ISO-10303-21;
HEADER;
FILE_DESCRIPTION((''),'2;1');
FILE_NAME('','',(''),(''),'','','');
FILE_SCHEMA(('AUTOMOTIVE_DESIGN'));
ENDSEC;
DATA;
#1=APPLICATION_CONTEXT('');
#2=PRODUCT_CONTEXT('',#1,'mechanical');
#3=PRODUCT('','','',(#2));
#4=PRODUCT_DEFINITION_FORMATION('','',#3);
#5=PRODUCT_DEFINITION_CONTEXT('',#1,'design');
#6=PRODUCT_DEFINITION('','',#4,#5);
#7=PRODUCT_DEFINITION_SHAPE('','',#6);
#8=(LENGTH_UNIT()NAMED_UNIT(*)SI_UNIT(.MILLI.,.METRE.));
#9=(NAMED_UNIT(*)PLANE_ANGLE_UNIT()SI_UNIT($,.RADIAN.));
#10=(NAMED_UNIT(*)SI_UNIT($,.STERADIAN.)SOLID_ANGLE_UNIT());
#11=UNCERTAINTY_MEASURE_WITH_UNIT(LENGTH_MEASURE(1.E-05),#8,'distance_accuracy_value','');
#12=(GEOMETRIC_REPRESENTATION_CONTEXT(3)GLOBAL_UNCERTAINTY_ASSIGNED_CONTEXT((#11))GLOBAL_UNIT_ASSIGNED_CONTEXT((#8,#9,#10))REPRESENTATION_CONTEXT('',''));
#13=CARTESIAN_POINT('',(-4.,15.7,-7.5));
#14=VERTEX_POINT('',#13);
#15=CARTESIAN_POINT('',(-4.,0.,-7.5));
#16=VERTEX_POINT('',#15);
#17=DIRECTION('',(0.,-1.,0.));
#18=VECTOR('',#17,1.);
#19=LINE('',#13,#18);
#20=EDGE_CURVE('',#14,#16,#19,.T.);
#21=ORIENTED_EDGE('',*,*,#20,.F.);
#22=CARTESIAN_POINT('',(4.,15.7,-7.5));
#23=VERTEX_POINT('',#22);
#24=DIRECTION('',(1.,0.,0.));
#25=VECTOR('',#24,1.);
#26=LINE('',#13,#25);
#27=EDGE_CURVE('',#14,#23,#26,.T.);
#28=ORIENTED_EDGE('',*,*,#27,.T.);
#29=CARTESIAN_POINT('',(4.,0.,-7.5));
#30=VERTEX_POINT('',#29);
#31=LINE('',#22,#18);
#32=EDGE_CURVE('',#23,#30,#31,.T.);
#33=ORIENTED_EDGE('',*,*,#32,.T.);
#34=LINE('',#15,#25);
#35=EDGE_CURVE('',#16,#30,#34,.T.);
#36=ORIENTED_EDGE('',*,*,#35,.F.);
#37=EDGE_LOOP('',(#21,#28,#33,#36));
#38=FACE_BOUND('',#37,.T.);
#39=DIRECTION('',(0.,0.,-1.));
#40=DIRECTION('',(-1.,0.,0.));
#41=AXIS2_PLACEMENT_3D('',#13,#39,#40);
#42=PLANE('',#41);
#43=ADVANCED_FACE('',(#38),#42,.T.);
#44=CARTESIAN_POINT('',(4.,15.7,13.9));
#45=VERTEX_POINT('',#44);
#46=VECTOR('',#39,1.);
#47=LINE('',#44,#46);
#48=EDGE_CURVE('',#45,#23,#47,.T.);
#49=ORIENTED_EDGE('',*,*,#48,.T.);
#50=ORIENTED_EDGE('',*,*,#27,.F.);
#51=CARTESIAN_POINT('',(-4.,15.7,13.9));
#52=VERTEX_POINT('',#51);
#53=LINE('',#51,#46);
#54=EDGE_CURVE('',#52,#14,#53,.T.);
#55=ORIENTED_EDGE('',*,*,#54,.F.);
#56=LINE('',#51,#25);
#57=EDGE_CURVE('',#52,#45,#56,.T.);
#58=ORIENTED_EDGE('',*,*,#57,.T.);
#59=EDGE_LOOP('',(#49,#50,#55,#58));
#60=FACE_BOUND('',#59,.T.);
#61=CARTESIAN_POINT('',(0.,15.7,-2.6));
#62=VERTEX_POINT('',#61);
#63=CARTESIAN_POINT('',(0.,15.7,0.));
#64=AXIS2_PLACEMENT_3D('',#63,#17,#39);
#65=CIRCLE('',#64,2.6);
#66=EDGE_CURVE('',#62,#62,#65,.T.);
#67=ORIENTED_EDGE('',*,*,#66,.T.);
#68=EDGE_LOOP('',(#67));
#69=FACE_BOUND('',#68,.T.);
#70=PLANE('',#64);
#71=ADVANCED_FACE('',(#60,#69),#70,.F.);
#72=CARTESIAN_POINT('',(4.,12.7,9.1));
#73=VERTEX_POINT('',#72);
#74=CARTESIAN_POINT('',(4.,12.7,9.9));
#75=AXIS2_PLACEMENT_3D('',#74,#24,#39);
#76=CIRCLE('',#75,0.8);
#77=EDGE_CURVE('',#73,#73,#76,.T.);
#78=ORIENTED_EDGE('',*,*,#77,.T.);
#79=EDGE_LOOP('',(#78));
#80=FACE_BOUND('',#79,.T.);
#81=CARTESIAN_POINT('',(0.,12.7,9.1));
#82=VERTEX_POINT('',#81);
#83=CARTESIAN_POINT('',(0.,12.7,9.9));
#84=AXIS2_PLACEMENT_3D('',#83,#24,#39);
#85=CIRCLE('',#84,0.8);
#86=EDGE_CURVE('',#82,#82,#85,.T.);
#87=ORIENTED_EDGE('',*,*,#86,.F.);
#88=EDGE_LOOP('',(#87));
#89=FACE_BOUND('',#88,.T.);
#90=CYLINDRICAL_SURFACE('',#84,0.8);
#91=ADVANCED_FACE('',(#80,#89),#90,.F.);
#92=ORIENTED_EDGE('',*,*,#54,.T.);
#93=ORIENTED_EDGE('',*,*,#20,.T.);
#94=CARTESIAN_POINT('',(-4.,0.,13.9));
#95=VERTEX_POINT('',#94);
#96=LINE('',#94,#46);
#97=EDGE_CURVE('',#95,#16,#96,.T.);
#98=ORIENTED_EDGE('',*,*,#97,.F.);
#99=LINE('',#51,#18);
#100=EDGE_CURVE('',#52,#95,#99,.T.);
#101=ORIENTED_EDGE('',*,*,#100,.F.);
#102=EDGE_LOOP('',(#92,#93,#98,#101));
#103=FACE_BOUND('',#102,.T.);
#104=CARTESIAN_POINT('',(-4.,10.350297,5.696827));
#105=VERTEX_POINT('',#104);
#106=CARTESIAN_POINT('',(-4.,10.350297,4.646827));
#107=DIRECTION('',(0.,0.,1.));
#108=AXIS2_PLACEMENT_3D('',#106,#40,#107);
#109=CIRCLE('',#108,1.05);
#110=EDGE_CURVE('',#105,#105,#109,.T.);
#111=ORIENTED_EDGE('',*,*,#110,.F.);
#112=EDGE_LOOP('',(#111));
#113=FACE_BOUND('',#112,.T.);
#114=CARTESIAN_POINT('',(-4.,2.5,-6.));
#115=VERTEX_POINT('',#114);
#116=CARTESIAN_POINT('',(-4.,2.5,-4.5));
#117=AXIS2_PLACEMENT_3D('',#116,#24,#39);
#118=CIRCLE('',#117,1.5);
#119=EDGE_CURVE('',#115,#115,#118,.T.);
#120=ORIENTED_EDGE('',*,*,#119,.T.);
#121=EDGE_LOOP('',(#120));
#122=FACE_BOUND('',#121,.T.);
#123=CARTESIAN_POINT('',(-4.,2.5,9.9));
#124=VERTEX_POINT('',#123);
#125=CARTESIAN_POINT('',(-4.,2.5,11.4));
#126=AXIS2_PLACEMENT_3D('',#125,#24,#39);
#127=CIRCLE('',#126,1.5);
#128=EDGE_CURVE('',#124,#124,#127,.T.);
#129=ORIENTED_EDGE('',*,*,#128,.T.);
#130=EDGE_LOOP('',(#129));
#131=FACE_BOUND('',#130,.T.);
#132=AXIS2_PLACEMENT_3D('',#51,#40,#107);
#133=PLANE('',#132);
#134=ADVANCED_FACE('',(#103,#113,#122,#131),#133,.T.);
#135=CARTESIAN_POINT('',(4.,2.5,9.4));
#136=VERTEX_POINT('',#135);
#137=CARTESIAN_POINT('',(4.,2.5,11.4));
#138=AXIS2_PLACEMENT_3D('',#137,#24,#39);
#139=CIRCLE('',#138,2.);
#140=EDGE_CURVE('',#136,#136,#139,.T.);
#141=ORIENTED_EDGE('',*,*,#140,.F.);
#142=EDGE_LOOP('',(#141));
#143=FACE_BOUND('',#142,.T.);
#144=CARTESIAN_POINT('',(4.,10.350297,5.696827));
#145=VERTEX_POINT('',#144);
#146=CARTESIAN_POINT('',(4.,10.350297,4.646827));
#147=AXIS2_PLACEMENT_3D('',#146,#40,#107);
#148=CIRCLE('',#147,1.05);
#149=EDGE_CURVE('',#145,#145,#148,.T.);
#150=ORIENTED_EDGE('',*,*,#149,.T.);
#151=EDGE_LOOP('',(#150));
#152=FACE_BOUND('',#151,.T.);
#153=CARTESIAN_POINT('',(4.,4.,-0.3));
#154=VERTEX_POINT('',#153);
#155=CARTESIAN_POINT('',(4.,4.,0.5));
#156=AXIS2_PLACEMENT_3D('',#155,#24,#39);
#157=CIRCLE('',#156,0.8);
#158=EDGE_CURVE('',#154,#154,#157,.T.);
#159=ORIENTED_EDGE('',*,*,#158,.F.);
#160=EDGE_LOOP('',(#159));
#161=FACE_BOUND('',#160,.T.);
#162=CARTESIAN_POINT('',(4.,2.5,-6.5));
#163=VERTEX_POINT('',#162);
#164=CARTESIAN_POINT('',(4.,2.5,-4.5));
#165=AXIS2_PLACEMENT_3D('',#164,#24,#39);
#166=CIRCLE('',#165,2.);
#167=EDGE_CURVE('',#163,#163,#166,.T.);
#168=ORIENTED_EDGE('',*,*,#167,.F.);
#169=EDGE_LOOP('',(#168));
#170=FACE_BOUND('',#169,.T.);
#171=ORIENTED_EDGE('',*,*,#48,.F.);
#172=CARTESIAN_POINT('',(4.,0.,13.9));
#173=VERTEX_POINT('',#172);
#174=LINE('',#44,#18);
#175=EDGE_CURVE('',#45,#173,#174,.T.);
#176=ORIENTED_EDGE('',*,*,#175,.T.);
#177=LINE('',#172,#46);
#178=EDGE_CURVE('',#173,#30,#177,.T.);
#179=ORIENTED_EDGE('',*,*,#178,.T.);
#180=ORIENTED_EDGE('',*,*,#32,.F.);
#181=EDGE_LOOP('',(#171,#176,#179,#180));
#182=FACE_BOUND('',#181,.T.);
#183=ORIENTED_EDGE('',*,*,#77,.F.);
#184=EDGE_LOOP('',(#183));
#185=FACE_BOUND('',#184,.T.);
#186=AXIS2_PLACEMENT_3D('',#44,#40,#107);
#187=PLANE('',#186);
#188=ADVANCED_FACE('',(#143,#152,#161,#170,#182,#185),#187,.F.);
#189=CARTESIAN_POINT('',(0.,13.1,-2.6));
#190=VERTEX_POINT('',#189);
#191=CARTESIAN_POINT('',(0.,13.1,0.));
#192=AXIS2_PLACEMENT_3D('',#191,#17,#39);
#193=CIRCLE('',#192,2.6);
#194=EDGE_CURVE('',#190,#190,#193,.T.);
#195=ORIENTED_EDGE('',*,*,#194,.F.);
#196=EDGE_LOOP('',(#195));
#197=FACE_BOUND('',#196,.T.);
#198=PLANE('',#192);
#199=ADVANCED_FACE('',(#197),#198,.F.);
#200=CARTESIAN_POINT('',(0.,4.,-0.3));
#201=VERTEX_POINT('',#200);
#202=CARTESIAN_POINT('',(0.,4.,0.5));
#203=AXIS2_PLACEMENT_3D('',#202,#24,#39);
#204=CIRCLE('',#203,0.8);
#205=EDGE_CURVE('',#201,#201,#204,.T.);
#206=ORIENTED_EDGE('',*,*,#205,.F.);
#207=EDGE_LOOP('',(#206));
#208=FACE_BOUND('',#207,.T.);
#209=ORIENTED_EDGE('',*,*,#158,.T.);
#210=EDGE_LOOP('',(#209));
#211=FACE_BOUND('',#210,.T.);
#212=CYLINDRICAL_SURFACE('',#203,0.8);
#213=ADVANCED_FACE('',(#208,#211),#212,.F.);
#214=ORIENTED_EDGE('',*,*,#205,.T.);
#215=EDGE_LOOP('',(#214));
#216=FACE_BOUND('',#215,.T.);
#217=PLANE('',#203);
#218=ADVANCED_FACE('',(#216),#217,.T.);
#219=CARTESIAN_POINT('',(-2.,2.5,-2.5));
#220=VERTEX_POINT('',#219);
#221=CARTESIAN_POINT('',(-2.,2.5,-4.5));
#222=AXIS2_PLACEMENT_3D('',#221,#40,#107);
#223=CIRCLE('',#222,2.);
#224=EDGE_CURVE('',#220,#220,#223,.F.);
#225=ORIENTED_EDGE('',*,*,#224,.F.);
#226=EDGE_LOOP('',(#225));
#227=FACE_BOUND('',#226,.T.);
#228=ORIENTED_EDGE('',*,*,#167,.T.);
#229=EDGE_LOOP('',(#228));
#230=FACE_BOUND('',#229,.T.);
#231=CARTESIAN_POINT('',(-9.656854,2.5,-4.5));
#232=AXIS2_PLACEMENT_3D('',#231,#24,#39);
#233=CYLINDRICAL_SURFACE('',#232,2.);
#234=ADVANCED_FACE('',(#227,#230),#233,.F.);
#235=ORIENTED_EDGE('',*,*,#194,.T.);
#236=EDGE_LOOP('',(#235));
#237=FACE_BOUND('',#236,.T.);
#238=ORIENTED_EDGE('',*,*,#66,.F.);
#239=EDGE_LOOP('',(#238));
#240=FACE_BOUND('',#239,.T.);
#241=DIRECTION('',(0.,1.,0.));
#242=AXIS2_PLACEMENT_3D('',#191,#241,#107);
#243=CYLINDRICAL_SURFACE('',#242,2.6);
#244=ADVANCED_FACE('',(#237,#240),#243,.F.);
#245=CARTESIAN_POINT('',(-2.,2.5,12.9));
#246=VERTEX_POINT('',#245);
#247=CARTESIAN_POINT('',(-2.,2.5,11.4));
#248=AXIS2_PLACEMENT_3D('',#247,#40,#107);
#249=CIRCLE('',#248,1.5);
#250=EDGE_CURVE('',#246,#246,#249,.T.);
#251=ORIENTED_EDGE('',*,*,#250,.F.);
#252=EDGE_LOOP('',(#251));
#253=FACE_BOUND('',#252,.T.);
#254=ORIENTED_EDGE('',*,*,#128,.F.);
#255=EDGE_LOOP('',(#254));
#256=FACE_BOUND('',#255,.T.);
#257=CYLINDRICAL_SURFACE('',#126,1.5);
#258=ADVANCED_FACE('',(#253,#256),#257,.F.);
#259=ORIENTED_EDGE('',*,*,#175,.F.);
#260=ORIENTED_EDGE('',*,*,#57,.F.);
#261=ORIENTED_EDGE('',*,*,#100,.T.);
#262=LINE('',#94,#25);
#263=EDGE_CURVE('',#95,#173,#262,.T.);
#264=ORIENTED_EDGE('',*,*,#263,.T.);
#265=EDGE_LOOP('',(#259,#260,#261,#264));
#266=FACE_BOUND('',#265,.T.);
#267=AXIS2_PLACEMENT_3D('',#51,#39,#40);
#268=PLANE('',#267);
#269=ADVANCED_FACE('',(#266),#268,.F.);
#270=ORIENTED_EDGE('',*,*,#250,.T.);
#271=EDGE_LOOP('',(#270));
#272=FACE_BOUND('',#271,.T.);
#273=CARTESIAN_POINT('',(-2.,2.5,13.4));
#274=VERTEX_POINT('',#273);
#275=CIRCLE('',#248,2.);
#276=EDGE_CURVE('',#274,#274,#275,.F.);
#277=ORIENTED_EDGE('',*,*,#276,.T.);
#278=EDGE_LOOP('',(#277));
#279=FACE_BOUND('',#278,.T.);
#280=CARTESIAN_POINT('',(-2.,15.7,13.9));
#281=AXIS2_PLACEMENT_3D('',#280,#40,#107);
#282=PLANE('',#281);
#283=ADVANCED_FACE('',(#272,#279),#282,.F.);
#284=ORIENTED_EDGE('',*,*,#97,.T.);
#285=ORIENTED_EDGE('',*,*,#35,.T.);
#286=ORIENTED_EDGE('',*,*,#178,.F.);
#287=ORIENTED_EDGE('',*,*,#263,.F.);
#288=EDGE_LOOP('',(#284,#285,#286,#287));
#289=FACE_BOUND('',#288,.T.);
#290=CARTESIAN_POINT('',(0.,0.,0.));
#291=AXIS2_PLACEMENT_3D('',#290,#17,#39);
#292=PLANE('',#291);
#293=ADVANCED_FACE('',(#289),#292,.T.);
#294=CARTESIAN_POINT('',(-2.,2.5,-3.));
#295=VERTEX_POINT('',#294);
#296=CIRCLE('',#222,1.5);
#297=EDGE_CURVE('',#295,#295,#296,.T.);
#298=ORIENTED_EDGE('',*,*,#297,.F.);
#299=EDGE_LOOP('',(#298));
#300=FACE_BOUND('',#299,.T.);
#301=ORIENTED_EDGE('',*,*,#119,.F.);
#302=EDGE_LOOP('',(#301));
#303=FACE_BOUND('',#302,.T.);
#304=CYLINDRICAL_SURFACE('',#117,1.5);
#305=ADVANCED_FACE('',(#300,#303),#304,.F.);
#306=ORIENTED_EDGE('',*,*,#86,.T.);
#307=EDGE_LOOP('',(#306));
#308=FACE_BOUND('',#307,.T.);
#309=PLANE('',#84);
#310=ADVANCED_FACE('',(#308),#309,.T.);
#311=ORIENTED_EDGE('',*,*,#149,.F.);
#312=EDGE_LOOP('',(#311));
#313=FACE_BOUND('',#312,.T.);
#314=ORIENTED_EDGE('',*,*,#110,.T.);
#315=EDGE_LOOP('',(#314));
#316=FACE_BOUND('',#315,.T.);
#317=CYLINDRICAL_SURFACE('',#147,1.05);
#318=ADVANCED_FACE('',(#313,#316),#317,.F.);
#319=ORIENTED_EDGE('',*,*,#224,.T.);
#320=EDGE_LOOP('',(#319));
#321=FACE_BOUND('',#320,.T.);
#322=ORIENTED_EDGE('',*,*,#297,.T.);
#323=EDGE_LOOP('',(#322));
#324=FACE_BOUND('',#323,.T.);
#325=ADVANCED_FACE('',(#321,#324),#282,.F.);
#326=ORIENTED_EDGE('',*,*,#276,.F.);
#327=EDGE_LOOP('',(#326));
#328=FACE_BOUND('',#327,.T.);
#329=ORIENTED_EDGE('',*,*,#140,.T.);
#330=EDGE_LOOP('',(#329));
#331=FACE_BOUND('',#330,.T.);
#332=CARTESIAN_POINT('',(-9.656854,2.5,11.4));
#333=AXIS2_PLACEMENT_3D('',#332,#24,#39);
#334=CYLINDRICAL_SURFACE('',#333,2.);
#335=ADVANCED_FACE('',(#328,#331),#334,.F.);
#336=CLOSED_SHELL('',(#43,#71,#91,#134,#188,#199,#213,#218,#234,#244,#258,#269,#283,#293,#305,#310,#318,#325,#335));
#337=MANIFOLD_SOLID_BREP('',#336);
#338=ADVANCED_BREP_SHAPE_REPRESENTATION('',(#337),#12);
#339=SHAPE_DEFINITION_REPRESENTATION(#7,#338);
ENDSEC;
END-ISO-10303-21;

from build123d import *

# Parameters (mm, degrees)
SKETCH_1_W          = 8
SKETCH_1_H          = 21.4
EXTRUDE_1_DEPTH     = 15.7
CUT_EXTRUDE_START   = 15.7
SKETCH_1_18_R       = 2.6
CUT_EXTRUDE_1_DEPTH = 2.6
SKETCH_2_R          = 1.05
CUT_EXTRUDE_2_DEPTH = 23.443261795
SKETCH_3_R          = 2
CUT_EXTRUDE_4_DEPTH = 6
SKETCH_3_4_R        = 1.5
CUT_EXTRUDE_5_DEPTH = 23.443261795
SKETCH_4_R          = 0.8
CUT_EXTRUDE_6_DEPTH = 4


with BuildPart() as part:
    # 草图1 → 凸台-拉伸1 (new body)
    with BuildSketch(Plane(origin=(0, 0, 0), x_dir=(1, 0, 0), z_dir=(0, 1, 0))):
        with Locations((0, -3.2)):
            Rectangle(SKETCH_1_W, SKETCH_1_H)
    extrude(amount=EXTRUDE_1_DEPTH)

    # 草图1<18> → 切除-拉伸1 (cut)
    with BuildSketch(Plane(origin=(0, 0, 0), x_dir=(1, 0, 0), z_dir=(0, 1, 0)).offset(CUT_EXTRUDE_START)):
        with Locations(Location((0, 0, 0), (0, 0, 90))):
            Circle(SKETCH_1_18_R)
    extrude(amount=-CUT_EXTRUDE_1_DEPTH, mode=Mode.SUBTRACT)

    # 草图2 → 切除-拉伸2 (cut, through all)
    with BuildSketch(Plane.ZY.offset(4)):
        with Locations((4.646826988, 10.35029737)):
            Circle(SKETCH_2_R)
    extrude(amount=-CUT_EXTRUDE_2_DEPTH, mode=Mode.SUBTRACT)

    # 草图3 → 切除-拉伸4 (cut)
    with BuildSketch(Plane(origin=(4, 0, 0), x_dir=(0, 0, -1), z_dir=(1, 0, 0))):
        with Locations((4.5, 2.5)):
            Circle(SKETCH_3_R)
        with Locations((-11.4, 2.5)):
            Circle(SKETCH_3_R)
    extrude(amount=-CUT_EXTRUDE_4_DEPTH, mode=Mode.SUBTRACT)

    # 草图3<4> → 切除-拉伸5 (cut, through all)
    with BuildSketch(Plane(origin=(4, 0, 0), x_dir=(0, 0, -1), z_dir=(1, 0, 0))):
        with Locations((4.5, 2.5)):
            Circle(SKETCH_3_4_R)
        with Locations((-11.4, 2.5)):
            Circle(SKETCH_3_4_R)
    extrude(amount=-CUT_EXTRUDE_5_DEPTH, mode=Mode.SUBTRACT)

    # 草图4 → 切除-拉伸6 (cut)
    with BuildSketch(Plane(origin=(4, 0, 0), x_dir=(0, 0, -1), z_dir=(1, 0, 0))):
        with Locations((-0.5, 4)):
            Circle(SKETCH_4_R)
        with Locations((-9.9, 12.7)):
            Circle(SKETCH_4_R)
    extrude(amount=-CUT_EXTRUDE_6_DEPTH, mode=Mode.SUBTRACT)


solid = part.part
